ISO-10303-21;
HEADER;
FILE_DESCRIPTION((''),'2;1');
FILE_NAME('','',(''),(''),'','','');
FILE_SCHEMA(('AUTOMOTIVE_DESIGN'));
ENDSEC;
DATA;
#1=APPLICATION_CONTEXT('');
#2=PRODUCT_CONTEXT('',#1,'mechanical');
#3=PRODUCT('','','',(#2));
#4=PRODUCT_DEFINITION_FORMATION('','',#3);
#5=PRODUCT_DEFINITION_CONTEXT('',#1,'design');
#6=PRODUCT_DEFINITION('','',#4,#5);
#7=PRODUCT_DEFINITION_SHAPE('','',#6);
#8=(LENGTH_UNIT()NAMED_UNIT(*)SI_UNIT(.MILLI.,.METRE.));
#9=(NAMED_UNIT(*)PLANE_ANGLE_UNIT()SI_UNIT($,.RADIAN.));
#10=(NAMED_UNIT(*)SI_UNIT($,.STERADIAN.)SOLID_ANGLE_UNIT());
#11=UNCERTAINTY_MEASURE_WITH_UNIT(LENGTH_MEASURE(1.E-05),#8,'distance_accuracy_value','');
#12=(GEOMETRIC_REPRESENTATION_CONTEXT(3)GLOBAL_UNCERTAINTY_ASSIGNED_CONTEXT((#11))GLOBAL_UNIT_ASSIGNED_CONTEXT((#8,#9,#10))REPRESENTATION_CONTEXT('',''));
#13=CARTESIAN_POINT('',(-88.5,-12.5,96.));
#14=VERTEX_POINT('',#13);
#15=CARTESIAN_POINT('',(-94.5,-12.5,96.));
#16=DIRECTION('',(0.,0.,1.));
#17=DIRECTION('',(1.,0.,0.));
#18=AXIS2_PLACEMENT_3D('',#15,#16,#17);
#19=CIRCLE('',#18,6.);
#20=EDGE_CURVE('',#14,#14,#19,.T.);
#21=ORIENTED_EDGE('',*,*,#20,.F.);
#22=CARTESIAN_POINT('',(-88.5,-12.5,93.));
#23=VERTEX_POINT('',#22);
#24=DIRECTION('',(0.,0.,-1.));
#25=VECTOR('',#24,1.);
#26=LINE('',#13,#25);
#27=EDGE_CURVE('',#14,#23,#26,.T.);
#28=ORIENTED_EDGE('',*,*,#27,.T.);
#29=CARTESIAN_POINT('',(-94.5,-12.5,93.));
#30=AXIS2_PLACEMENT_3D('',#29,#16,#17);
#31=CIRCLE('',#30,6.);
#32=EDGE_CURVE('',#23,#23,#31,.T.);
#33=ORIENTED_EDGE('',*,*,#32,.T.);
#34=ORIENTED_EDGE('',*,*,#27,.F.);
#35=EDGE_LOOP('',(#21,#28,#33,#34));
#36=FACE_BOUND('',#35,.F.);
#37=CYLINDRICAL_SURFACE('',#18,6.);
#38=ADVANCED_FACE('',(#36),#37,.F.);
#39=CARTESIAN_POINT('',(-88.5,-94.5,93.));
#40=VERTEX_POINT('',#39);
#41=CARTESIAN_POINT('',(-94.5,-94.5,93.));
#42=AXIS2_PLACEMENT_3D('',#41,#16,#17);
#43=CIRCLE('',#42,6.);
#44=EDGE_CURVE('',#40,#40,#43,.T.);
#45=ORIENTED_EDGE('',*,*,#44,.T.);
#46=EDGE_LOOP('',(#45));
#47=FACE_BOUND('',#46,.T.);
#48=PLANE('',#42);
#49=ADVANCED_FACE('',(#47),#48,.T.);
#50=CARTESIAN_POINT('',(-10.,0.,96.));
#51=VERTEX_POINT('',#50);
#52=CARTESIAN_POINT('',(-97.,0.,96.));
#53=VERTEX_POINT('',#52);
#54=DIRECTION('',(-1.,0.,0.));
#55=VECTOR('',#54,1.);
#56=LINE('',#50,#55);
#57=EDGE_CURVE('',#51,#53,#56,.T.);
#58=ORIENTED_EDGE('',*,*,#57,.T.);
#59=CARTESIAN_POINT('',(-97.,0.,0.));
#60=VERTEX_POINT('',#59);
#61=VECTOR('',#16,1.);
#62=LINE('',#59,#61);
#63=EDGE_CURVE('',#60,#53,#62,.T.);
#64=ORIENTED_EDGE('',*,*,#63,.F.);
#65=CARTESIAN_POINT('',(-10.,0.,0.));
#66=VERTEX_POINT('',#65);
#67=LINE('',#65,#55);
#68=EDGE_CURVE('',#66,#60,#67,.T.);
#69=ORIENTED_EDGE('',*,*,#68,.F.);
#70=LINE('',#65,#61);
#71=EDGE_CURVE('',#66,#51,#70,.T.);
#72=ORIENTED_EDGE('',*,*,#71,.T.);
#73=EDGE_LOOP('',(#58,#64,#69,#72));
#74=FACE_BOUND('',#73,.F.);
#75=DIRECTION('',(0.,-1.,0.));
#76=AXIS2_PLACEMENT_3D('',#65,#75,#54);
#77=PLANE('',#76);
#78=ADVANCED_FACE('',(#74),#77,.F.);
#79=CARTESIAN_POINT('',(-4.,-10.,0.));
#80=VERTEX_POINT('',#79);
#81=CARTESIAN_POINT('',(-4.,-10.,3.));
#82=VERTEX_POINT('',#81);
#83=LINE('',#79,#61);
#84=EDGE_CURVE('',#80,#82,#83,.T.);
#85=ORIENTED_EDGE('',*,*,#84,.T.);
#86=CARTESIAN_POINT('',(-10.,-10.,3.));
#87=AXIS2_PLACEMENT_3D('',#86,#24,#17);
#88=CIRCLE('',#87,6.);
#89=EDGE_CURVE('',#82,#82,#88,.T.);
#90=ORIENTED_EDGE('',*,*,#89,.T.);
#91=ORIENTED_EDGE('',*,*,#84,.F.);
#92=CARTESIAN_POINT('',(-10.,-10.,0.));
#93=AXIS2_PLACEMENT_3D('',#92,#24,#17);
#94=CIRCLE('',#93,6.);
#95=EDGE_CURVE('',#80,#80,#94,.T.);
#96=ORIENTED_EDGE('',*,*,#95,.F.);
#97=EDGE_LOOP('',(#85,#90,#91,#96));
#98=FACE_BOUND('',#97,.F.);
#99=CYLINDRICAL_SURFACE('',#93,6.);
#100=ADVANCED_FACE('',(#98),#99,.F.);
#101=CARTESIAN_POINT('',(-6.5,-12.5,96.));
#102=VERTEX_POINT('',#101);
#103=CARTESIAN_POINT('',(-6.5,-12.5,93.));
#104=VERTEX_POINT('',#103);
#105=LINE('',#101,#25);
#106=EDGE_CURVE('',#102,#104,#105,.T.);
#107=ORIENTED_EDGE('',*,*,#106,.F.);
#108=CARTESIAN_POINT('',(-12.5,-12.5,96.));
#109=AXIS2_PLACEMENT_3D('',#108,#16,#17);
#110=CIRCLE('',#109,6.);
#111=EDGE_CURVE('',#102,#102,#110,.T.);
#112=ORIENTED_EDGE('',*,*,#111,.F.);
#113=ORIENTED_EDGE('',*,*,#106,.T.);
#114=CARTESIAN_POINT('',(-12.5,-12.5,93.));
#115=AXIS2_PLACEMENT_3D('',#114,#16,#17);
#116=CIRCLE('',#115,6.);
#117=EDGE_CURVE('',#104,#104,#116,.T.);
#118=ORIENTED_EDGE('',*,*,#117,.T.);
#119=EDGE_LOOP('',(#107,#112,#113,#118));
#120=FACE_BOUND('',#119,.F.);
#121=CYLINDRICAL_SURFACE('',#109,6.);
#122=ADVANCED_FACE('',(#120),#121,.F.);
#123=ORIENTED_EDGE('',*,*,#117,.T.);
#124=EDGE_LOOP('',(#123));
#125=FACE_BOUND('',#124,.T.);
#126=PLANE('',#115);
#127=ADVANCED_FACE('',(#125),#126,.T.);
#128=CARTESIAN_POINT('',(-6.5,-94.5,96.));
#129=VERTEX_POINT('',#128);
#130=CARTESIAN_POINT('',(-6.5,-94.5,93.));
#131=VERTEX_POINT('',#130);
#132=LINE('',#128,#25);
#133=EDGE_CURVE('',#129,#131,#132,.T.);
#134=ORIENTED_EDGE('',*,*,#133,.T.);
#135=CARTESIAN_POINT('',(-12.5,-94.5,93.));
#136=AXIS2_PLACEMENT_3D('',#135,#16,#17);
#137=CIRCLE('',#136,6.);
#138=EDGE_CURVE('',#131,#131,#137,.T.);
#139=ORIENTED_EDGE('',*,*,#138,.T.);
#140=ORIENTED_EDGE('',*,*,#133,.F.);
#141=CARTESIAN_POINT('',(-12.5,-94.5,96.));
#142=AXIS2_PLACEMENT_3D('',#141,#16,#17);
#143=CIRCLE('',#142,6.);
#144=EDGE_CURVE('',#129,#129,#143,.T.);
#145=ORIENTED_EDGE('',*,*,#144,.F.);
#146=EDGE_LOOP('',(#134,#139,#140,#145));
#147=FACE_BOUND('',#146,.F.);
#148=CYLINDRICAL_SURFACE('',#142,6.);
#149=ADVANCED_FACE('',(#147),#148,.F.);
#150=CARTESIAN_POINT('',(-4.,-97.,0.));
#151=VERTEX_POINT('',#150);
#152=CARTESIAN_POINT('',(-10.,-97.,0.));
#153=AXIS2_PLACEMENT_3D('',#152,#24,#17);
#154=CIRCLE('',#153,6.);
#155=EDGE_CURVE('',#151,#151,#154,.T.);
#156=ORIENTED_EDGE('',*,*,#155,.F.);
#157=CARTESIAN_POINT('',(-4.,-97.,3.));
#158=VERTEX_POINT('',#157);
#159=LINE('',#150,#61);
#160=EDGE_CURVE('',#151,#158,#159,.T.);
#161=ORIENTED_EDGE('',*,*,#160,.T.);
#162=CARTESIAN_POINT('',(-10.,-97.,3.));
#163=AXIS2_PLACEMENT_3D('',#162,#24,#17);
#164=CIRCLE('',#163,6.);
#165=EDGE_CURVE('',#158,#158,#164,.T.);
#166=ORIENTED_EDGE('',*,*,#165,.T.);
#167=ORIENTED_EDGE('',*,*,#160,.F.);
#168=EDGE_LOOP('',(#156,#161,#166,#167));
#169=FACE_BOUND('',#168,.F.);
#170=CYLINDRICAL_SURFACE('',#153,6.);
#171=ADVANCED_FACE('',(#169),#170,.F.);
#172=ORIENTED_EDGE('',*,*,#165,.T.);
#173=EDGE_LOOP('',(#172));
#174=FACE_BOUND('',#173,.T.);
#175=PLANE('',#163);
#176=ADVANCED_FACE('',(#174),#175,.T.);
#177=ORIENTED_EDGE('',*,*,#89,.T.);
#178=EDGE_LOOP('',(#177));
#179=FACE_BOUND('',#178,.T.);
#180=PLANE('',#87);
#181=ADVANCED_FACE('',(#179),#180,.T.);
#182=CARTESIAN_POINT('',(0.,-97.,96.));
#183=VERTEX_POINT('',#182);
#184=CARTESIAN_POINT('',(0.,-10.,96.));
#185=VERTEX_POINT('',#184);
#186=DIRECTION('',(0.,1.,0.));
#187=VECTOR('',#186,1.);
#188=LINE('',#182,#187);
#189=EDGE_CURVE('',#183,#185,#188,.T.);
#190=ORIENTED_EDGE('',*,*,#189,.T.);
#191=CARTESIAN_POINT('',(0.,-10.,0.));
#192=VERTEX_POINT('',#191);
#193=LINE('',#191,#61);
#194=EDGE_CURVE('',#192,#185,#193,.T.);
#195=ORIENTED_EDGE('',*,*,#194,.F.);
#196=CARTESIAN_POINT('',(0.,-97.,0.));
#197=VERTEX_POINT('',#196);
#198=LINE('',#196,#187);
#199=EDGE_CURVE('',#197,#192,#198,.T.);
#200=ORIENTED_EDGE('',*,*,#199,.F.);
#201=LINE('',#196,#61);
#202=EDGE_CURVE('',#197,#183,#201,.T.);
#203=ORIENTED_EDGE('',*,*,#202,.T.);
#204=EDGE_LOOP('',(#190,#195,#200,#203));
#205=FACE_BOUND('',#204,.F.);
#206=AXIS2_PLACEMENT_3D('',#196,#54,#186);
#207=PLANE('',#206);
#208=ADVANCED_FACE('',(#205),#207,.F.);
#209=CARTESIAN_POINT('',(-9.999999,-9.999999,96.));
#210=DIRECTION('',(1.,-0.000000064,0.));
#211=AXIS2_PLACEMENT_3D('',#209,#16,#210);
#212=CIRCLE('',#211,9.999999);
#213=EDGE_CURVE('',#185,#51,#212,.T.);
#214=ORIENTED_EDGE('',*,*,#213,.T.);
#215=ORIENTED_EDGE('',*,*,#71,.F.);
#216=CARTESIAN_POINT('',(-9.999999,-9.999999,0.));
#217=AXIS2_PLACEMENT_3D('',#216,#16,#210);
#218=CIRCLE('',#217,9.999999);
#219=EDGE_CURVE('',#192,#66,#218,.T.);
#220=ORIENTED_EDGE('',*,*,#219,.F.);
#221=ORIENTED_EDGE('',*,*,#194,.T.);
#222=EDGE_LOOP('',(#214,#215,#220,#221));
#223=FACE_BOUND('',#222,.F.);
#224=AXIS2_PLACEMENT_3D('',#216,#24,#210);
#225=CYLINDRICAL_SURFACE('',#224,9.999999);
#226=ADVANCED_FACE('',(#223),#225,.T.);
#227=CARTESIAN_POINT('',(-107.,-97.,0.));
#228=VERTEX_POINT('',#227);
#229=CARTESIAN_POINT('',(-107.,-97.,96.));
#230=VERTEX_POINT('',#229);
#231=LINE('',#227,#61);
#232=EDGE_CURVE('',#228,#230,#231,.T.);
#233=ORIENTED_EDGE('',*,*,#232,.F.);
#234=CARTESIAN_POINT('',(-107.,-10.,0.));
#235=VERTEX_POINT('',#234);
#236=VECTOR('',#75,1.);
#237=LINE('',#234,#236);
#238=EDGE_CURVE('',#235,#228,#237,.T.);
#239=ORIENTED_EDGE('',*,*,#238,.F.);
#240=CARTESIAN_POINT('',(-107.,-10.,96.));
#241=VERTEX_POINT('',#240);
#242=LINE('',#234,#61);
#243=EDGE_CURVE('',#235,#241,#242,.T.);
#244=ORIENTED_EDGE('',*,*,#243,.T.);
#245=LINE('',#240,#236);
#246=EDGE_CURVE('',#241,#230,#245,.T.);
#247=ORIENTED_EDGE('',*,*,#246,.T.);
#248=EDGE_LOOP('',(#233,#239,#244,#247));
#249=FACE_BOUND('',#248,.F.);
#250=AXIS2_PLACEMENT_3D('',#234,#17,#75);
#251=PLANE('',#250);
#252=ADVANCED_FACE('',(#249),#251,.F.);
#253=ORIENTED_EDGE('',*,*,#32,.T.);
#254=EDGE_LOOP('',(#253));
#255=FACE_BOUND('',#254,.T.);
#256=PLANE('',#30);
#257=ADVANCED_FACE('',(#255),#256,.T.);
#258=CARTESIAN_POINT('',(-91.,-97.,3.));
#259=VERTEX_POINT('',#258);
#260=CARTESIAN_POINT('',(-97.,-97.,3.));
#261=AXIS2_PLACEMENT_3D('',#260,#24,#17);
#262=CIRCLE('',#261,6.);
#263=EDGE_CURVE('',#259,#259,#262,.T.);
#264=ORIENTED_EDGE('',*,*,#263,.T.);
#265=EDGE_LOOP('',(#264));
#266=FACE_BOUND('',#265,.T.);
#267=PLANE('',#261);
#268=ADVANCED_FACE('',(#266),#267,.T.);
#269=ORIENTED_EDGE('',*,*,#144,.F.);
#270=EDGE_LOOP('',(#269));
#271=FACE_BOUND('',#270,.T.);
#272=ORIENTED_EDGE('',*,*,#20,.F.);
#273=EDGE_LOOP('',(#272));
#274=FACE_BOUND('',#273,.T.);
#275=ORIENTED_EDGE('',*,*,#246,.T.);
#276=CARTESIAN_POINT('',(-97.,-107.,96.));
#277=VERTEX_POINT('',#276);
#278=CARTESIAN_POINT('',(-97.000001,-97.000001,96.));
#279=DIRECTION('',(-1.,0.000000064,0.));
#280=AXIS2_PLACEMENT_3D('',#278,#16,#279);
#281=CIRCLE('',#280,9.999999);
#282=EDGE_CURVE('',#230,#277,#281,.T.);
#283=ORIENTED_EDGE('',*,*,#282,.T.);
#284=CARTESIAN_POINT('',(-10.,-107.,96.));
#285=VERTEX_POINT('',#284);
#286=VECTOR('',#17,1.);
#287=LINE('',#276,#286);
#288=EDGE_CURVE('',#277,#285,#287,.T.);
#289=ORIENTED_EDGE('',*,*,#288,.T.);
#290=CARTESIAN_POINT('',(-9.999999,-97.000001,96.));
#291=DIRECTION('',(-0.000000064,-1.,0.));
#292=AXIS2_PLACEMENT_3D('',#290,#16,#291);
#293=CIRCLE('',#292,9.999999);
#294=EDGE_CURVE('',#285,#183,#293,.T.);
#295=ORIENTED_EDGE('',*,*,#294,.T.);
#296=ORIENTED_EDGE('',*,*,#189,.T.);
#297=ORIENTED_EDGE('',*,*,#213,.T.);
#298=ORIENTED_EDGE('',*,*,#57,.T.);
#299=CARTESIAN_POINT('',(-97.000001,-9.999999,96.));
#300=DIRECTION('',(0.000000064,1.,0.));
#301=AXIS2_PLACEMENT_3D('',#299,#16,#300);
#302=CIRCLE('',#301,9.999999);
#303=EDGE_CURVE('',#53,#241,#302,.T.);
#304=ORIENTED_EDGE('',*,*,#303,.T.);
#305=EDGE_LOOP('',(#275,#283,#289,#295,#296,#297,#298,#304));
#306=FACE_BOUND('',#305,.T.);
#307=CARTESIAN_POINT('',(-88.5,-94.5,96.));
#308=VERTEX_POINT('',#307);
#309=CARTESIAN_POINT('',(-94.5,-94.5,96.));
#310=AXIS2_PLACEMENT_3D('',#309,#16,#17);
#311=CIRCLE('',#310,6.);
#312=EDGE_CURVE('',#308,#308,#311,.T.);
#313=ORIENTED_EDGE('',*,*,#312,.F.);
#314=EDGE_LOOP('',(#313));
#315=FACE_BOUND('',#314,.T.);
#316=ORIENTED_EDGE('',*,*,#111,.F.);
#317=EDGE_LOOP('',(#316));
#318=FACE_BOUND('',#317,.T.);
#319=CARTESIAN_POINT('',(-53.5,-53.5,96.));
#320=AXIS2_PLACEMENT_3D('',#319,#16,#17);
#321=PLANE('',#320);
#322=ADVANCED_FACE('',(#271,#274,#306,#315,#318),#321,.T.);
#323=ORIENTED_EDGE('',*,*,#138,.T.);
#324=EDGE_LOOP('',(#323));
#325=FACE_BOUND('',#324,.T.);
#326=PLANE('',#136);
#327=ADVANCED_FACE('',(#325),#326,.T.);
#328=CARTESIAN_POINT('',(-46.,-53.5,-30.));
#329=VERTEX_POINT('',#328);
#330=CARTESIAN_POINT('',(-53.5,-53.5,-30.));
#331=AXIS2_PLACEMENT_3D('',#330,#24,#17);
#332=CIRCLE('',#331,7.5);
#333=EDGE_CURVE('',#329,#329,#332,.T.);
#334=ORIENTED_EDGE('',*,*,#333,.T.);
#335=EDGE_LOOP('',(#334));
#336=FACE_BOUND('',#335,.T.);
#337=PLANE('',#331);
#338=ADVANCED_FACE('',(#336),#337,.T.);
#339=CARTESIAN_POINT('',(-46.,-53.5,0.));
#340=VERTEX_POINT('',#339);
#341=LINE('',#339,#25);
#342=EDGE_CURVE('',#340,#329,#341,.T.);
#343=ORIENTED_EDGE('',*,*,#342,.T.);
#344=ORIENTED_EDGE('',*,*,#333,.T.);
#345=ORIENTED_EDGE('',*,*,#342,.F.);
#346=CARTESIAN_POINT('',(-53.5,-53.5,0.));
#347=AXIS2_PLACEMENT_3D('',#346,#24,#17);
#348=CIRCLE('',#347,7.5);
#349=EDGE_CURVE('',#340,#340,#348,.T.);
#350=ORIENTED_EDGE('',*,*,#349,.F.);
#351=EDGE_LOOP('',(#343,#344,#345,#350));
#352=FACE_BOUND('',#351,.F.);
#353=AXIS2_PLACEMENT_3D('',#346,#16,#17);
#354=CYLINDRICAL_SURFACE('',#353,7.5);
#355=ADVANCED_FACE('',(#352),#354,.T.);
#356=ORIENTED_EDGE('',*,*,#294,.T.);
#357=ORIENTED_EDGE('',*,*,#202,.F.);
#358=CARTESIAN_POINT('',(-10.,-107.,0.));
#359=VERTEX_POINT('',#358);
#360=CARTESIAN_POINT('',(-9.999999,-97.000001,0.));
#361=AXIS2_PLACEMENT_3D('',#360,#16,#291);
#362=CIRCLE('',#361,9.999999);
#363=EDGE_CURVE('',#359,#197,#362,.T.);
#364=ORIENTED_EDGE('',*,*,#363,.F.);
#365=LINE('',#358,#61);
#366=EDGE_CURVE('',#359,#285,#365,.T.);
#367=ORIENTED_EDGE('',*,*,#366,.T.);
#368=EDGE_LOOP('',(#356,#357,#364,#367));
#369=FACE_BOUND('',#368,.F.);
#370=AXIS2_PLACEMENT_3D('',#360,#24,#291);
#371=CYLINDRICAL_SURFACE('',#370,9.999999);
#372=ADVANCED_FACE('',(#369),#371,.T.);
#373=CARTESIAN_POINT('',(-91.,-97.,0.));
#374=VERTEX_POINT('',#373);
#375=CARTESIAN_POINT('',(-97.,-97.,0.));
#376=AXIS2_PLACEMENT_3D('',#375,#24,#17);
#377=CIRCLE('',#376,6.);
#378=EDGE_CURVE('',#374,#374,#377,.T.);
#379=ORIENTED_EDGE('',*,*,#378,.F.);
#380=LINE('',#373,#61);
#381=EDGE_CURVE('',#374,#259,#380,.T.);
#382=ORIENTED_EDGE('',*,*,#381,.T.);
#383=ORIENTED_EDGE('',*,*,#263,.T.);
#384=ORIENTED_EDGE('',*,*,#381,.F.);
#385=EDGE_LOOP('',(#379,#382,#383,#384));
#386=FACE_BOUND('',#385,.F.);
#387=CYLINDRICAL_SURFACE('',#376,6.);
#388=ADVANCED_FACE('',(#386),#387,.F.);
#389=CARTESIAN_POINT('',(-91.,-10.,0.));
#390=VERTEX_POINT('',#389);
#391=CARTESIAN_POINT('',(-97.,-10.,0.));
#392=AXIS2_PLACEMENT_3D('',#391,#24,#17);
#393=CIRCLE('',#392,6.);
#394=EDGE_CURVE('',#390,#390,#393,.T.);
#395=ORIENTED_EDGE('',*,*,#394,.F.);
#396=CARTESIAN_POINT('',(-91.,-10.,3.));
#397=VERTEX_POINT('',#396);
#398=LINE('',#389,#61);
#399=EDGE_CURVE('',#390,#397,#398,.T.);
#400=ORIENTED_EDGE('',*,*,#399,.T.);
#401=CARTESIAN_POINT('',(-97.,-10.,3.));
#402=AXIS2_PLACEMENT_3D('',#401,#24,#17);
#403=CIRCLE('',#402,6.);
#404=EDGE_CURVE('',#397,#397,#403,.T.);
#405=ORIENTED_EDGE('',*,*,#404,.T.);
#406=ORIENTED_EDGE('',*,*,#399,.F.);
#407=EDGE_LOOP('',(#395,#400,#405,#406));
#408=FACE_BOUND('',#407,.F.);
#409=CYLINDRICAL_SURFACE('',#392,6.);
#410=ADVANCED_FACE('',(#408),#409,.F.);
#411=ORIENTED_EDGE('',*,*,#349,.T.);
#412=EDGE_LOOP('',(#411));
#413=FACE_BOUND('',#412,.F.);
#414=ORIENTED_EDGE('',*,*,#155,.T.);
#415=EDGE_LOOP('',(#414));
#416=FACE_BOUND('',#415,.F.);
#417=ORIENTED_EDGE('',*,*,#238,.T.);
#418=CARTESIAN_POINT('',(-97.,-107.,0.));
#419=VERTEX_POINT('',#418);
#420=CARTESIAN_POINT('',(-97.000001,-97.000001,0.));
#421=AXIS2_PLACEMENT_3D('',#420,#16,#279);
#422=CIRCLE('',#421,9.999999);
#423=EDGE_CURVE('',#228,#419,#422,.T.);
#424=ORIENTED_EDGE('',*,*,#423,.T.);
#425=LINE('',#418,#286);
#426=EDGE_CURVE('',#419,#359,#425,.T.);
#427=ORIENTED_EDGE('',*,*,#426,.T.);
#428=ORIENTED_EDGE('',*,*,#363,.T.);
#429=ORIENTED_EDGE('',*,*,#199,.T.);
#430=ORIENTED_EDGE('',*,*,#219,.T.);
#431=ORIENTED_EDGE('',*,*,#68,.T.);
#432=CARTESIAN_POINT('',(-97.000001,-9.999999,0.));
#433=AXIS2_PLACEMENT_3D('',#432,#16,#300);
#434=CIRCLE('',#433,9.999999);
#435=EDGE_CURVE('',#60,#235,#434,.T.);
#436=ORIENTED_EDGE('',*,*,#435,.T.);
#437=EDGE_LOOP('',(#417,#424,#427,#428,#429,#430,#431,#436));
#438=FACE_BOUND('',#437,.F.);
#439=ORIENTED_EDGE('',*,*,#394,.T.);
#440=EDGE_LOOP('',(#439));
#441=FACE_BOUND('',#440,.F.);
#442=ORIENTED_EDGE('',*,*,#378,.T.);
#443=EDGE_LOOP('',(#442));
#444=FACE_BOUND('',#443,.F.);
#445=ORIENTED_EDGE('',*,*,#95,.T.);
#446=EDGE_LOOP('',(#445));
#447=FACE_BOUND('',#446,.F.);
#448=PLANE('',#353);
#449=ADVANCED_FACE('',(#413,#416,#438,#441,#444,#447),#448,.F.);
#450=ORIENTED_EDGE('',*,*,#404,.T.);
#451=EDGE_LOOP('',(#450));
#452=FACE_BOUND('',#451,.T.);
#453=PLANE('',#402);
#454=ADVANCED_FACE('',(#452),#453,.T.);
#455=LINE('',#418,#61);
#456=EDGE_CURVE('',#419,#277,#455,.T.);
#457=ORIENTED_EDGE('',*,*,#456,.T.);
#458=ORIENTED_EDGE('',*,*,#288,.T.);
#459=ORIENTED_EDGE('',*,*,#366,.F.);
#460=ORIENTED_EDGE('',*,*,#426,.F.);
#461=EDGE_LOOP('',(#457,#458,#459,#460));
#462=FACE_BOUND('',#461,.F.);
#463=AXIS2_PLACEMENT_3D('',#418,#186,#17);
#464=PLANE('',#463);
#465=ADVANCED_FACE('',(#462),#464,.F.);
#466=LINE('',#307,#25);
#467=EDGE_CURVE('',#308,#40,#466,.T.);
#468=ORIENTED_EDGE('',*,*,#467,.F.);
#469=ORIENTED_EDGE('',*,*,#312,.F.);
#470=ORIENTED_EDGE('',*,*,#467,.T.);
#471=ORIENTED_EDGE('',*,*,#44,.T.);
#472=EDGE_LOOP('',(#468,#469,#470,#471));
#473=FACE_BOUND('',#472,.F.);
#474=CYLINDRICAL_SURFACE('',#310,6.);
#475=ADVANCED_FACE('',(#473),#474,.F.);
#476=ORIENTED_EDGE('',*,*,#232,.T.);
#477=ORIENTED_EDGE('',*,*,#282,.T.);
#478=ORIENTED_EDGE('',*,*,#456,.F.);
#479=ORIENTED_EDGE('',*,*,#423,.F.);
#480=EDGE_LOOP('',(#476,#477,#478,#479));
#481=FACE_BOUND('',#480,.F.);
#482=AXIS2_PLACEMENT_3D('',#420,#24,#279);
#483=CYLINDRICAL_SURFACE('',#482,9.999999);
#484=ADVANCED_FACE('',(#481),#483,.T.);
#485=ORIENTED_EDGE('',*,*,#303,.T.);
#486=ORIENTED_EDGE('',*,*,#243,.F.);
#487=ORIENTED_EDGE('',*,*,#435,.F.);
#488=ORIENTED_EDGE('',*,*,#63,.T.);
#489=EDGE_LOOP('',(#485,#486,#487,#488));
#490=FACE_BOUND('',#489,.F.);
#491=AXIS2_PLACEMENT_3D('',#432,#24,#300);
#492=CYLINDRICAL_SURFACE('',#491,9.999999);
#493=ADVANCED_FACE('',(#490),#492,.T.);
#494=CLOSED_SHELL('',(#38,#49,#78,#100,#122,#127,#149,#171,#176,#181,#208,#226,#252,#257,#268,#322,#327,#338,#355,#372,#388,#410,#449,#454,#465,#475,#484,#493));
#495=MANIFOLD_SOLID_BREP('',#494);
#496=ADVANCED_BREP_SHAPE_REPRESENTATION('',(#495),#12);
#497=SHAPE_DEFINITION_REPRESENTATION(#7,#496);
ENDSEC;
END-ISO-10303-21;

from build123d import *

# Parameters (mm, degrees)
F1_DEPTH = 96
F2_R     = 7.5
F3_DEPTH = 30
F4_R     = 6
F5_DEPTH = 3
F6_R     = 6
F7_DEPTH = 3


with BuildPart() as f1:
    # F0 (on Top) → F1 (new body)
    with BuildSketch(Plane.XY):
        with BuildLine():
            ThreePointArc((0, -10), (-2.928932, -2.928932), (-10, 0))
            Line((-10, 0), (-97, 0))
            ThreePointArc((-97, 0), (-104.071068, -2.928932), (-107, -10))
            Line((-107, -10), (-107, -97))
            ThreePointArc((-107, -97), (-104.071068, -104.071068), (-97, -107))
            Line((-97, -107), (-10, -107))
            ThreePointArc((-10, -107), (-2.928932, -104.071068), (0, -97))
            Line((0, -97), (0, -10))
        make_face()
    extrude(amount=F1_DEPTH)

    # F2 (on face) → F3 (join)
    with BuildSketch(Plane(origin=(0, 0, 0), x_dir=(1, 0, 0), z_dir=(0, 0, -1))):
        with Locations((-53.5, 53.5)):
            Circle(F2_R)
    extrude(amount=F3_DEPTH)

    # F4 (on face) → F5 (cut)
    with BuildSketch(Plane.XY.offset(96)):
        with Locations((-94.5, -94.5)):
            Circle(F4_R)
        with Locations((-94.5, -12.5)):
            Circle(F4_R)
        with Locations((-12.5, -94.5)):
            Circle(F4_R)
        with Locations((-12.5, -12.5)):
            Circle(F4_R)
    extrude(amount=-F5_DEPTH, mode=Mode.SUBTRACT)

    # F6 (on face) → F7 (cut)
    with BuildSketch(Plane(origin=(0, 0, 0), x_dir=(1, 0, 0), z_dir=(0, 0, -1))):
        with Locations((-10, 97)):
            Circle(F6_R)
        with Locations((-10, 10)):
            Circle(F6_R)
        with Locations((-97, 97)):
            Circle(F6_R)
        with Locations((-97, 10)):
            Circle(F6_R)
    extrude(amount=-F7_DEPTH, mode=Mode.SUBTRACT)


solid = f1.part
